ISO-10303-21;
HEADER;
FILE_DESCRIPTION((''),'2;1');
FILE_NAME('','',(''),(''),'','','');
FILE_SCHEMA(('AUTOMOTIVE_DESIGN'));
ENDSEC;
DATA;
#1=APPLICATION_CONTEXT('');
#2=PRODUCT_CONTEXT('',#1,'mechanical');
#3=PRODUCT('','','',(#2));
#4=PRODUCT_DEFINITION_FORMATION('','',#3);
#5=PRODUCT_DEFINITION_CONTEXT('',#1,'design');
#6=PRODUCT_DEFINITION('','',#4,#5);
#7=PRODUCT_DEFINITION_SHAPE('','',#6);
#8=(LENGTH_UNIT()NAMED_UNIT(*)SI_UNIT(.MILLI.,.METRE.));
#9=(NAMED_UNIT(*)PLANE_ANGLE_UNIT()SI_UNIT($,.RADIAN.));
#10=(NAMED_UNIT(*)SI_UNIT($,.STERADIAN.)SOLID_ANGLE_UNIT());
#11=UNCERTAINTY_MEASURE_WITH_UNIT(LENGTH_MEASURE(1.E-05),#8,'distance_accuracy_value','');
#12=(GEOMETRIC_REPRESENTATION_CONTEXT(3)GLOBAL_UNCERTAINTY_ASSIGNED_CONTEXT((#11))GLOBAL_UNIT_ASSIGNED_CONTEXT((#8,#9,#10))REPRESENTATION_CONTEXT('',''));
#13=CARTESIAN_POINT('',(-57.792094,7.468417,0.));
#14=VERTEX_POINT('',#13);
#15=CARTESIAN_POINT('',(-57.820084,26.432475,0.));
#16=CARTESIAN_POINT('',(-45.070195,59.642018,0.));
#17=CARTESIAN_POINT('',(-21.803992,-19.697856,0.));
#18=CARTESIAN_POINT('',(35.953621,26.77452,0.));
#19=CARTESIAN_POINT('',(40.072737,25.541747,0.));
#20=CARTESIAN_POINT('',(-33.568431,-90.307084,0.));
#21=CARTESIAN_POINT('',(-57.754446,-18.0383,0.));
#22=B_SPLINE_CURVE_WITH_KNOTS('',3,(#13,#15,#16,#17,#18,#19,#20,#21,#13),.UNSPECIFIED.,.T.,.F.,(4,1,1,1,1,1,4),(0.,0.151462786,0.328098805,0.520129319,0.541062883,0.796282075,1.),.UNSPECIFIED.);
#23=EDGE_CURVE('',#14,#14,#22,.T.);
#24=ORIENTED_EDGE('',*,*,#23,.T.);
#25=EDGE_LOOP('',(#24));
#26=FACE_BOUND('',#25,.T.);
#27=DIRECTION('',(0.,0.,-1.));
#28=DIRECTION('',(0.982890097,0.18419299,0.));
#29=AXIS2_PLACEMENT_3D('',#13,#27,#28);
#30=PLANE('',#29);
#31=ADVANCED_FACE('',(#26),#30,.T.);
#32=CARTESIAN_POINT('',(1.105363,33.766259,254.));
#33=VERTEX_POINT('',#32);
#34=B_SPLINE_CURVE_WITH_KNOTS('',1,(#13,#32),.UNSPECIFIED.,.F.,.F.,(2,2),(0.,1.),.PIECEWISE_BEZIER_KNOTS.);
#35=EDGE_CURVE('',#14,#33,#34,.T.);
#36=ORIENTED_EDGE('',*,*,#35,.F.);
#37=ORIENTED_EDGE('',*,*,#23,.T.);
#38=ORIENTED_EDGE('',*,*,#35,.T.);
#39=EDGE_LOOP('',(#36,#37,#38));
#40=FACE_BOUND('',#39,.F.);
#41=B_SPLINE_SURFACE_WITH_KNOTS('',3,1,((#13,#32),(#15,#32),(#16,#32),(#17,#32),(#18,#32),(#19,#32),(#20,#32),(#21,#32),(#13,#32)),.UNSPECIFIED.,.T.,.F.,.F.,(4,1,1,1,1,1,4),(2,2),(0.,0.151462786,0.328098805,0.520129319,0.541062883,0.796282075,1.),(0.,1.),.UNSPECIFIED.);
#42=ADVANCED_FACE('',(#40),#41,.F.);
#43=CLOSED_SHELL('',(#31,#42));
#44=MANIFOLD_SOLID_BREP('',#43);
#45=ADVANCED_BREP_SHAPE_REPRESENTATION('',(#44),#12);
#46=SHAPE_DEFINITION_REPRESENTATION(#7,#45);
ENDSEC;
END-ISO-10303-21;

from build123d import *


with BuildPart() as f3:
    # F0 (on Top) → F3 section 0
    with BuildSketch(Plane.XY, mode=Mode.PRIVATE) as f3_s0:
        with BuildLine():
            add(Edge.make_bspline(
                [(-57.7920936048, 7.4684172869), (-57.8200844017, 26.4324749336), (-45.0701948735, 59.6420175132), (-21.8039921135, -19.6978560309), (35.953620921, 26.7745204826), (40.0727373749, 25.5417469613), (-33.5684308034, -90.3070842589), (-57.7544458948, -18.0382999727), (-57.7920936048, 7.4684172869)],
                knots=[0, 0, 0, 0, 0.1514627863, 0.3280988049, 0.5201293187, 0.5410628826, 0.7962820754, 1, 1, 1, 1], degree=3))
        make_face()
    loft([f3_s0.sketch, Vertex(1.1053628987, 33.766258508, 254)])


solid = f3.part
